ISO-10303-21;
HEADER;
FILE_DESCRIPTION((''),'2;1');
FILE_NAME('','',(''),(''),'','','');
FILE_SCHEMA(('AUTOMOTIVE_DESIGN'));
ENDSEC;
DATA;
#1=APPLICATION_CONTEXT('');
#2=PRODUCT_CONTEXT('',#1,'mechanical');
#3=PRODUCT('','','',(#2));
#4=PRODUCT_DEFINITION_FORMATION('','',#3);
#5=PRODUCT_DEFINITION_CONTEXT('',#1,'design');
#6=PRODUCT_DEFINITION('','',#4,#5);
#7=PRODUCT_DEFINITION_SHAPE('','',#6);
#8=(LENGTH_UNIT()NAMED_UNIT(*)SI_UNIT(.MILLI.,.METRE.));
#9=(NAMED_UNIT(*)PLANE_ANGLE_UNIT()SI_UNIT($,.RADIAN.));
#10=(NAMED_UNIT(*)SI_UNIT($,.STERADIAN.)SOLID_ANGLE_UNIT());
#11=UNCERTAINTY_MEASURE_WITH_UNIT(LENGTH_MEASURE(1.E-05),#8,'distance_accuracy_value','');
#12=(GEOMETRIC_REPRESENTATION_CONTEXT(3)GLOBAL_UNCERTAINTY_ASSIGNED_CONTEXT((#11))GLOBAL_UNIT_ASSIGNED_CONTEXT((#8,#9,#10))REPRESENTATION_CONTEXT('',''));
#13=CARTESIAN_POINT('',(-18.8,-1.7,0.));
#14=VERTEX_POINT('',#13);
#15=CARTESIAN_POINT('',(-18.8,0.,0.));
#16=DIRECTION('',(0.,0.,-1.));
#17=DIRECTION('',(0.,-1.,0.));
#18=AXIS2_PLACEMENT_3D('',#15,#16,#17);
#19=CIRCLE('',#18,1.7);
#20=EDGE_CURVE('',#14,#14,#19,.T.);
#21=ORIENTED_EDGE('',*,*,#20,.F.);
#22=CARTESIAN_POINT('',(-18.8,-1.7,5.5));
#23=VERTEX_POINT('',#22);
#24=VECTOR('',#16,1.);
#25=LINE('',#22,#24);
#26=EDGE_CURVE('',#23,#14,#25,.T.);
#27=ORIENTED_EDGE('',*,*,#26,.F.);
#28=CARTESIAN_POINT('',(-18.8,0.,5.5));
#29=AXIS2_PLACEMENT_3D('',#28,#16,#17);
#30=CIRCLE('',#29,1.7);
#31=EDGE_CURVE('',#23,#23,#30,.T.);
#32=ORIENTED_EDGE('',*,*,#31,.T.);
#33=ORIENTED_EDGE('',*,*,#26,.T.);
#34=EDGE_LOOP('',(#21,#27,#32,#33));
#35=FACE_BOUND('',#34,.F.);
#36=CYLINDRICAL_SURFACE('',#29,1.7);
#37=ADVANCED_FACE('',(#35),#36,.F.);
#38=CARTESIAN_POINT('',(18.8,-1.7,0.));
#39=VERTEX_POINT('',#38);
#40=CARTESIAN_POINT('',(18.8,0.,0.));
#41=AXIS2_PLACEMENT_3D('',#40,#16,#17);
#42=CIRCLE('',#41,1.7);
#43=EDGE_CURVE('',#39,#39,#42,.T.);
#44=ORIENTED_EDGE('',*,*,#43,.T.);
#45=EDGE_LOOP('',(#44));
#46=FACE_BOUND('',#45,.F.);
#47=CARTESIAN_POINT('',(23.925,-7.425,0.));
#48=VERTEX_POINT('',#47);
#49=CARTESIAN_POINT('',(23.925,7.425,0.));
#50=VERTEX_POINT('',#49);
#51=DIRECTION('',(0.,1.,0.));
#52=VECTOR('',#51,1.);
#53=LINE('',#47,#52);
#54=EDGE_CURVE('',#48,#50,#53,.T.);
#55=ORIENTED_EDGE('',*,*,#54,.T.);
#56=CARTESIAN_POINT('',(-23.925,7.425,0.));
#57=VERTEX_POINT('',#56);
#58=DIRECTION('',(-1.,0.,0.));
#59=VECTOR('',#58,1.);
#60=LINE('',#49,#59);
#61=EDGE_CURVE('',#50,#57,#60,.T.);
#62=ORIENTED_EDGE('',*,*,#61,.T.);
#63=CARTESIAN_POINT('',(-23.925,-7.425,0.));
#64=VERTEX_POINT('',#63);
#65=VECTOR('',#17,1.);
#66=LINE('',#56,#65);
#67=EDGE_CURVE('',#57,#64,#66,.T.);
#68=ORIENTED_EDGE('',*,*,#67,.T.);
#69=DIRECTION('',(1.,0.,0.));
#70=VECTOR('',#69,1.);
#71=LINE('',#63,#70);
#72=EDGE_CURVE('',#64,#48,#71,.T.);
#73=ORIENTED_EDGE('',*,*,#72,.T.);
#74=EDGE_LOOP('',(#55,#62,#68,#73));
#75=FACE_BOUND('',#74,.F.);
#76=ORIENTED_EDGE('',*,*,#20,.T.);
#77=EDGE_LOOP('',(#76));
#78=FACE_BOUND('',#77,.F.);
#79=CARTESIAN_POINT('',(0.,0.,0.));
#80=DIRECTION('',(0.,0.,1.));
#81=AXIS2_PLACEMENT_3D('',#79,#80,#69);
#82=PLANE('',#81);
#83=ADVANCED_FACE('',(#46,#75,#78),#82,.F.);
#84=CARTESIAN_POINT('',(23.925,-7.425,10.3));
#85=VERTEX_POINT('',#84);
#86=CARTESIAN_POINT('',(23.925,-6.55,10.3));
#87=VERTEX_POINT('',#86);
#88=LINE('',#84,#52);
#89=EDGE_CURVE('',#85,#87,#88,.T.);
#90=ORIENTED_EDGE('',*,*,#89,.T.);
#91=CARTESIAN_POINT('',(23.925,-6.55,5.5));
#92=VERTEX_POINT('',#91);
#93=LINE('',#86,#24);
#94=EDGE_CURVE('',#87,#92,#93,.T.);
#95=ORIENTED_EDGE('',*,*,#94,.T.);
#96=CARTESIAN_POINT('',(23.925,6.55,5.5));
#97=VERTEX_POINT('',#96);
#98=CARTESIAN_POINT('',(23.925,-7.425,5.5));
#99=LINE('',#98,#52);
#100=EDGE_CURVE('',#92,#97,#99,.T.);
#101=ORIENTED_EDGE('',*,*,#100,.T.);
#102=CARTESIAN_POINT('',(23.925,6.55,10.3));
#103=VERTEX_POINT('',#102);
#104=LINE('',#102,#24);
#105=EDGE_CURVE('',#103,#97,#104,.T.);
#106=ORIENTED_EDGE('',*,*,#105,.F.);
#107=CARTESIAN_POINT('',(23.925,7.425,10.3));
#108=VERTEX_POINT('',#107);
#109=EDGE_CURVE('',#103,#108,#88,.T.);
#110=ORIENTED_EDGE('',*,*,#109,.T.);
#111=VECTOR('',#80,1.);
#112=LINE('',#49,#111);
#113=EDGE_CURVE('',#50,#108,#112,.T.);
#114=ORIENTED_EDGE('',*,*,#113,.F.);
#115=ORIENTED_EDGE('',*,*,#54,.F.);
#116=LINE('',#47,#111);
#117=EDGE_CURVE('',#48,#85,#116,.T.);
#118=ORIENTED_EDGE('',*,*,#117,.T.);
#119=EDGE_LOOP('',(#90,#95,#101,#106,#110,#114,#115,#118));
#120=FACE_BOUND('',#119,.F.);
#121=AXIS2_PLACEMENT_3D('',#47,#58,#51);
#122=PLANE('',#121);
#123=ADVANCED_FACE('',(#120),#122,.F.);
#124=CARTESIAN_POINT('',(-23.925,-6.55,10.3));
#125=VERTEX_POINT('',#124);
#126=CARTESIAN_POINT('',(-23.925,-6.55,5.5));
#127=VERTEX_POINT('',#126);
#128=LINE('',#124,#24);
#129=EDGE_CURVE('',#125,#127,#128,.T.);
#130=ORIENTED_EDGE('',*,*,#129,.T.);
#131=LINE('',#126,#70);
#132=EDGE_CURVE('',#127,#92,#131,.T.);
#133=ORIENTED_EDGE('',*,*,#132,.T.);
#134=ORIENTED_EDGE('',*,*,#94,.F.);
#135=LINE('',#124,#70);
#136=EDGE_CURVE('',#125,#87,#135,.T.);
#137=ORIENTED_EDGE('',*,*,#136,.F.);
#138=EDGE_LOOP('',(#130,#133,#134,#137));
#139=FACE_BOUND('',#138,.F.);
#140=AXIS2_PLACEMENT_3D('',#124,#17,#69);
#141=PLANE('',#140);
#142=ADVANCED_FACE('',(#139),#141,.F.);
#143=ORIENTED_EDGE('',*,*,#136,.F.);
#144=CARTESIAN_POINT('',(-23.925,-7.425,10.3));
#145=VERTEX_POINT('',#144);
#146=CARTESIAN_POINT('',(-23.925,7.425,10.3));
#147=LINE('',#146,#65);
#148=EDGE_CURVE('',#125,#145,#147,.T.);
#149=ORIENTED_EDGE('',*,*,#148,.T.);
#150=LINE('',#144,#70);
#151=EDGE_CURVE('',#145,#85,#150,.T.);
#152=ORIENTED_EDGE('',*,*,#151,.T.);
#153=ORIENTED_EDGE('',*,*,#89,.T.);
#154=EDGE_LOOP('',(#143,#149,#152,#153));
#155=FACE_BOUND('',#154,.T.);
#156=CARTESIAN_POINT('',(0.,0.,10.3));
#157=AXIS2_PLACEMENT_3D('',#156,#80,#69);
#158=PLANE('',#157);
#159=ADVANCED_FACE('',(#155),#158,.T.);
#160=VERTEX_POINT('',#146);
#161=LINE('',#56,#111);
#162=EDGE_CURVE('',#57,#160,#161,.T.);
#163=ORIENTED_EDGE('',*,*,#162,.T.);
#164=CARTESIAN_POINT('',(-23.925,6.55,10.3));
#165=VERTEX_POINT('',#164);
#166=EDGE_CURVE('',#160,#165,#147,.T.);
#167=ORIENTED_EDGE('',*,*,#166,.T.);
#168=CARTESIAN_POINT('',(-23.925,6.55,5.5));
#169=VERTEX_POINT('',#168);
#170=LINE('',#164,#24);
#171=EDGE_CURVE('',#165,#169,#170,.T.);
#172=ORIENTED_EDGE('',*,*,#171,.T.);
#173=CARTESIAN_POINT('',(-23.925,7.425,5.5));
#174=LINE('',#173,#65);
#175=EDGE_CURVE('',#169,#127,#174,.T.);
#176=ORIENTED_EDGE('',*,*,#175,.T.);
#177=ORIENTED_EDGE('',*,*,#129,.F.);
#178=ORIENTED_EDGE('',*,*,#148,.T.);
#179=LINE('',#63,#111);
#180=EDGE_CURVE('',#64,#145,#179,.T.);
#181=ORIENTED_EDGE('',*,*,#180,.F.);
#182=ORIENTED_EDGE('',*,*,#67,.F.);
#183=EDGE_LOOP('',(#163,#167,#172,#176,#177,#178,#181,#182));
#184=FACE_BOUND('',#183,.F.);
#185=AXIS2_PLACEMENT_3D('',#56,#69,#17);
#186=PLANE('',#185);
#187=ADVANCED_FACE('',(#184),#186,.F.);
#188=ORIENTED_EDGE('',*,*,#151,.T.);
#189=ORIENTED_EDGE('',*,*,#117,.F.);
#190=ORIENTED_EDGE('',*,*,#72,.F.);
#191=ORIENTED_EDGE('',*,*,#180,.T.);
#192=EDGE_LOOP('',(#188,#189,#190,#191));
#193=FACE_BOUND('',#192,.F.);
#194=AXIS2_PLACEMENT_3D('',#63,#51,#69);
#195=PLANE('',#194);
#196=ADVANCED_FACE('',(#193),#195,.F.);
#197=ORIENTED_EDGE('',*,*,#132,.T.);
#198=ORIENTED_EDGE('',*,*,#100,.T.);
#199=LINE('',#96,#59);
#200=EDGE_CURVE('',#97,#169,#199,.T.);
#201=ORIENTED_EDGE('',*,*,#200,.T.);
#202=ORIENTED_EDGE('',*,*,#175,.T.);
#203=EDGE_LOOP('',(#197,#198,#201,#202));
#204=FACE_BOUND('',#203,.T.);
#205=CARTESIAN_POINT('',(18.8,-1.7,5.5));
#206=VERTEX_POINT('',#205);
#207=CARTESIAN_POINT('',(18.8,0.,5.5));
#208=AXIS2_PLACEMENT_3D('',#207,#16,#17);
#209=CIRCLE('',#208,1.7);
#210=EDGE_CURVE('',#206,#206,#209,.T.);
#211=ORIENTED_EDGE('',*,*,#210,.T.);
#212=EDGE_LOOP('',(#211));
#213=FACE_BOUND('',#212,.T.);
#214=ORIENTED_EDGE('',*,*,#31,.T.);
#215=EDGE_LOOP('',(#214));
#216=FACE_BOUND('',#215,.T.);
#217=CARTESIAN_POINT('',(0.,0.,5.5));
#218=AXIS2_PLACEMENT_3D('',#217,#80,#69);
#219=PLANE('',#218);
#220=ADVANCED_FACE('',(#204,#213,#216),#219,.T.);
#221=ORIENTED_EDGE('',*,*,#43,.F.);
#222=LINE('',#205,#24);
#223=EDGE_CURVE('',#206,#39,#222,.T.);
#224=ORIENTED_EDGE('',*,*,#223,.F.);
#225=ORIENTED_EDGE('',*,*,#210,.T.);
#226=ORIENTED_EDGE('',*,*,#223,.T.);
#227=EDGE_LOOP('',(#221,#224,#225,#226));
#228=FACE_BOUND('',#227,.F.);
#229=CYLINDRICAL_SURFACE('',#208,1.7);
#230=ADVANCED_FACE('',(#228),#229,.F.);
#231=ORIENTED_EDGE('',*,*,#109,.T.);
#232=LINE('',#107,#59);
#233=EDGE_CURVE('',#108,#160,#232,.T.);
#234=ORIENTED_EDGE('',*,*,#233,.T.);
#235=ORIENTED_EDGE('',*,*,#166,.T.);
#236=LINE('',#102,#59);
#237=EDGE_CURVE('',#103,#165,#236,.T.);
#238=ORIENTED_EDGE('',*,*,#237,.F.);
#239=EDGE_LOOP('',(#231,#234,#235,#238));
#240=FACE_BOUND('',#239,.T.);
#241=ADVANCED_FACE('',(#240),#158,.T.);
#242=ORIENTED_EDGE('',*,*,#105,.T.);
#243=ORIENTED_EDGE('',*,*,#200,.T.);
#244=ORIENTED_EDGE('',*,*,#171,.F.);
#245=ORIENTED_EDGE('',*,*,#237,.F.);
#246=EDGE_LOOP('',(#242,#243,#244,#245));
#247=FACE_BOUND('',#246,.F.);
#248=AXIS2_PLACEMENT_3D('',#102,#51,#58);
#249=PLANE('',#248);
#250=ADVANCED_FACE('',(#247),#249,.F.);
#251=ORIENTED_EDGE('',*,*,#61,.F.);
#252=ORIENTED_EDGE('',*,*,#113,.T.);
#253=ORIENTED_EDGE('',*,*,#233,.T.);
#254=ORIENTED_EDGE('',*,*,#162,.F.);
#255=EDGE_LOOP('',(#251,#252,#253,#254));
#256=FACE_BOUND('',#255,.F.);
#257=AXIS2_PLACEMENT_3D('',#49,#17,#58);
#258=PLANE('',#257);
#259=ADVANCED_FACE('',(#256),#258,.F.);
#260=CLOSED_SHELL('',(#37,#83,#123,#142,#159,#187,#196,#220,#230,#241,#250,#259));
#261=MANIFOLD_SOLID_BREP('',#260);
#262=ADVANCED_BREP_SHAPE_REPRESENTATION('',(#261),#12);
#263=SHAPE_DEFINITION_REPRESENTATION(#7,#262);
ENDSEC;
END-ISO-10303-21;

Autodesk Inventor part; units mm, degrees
ref_plane "YZ Plane" through (0, 0, 0) normal (1, 0, 0) x (0, 1, 0)
ref_plane "XZ Plane" through (0, 0, 0) normal (0, 1, 0) x (-1, 0, 0)
ref_plane "XY Plane" through (0, 0, 0) normal (0, 0, 1) x (1, 0, 0)
sketch "Sketch1" plane through (0, 0, 0) normal (0, 0, 1) x (1, 0, 0)
  line L0 (-23.925, -7.425) -> (23.925, -7.425)
  line L1 (23.925, -7.425) -> (23.925, 7.425)
  line L2 (23.925, 7.425) -> (-23.925, 7.425)
  line L3 (-23.925, 7.425) -> (-23.925, -7.425)
  line L4 (-23.925, -7.425) -> (23.925, 7.425) construction
  line L5 (23.925, -7.425) -> (-23.925, 7.425) construction
  point P0 (0, 0)
  dimension "d0" = 47.85
  dimension "d1" = 14.85
extrude "Extrusion1" add sketch "Sketch1" along normal blind 10.3
sketch "Sketch3" plane through (0, 0, 10.3) normal (0, 0, 1) x (1, 0, 0)
  line L0 (23.925, -7.425) -> (23.925, 7.425) projected
  line L1 (-23.925, 7.425) -> (-23.925, -7.425) projected
  line L2 (-23.925, -6.55) -> (23.925, -6.55)
  line L3 (23.925, -6.55) -> (23.925, 6.55)
  line L4 (23.925, 6.55) -> (-23.925, 6.55)
  line L5 (-23.925, 6.55) -> (-23.925, -6.55)
  line L6 (-23.925, -6.55) -> (23.925, 6.55) construction
  line L7 (23.925, -6.55) -> (-23.925, 6.55) construction
  point P0 (0, 0)
  dimension "d5" = 13.1
extrude "Extrusion2" cut sketch "Sketch3" against normal blind 4.8
sketch "Sketch4" plane through (0, 0, 5.5) normal (0, 0, 1) x (1, 0, 0)
  line L0 (-23.925, -6.55) -> (-23.925, 6.55) construction
  line L1 (-23.925, 0) -> (23.925, 0) construction
  line L2 (23.925, 6.55) -> (23.925, -6.55) construction
  point P0 (0, 0)
  point P1 (-18.8, 0)
  point P2 (18.8, 0)
  point P3 (0, 0)
  dimension "d8" = 18.8
  dimension "d9" = 18.8
hole "Hole1" at (-18.8, 0, 5.5) at (18.8, 0, 5.5) direction (0, 0, -1) diameter 3.4 end through all clearance for "Flat Head Machine Screw" size "M3" standard "Ansi Metric M Profile"
equation "\"d0\" = sensorLength"
equation "\"d1\" = sensorWidth"
equation "\"d2\" = sensorDepth"
equation "\"d5\" = slotWidth"
equation "\"d6\" = slotDepth"
equation "\"d8\" = 0.5 * holeWidth"
equation "\"d9\" = 0.5 * holeWidth"
equation "\"sensorWidth\" = 14.85"
equation "\"sensorLength\" = 47.85"
equation "\"sensorDepth\" = 10.3"
equation "\"slotWidth\" = 13.1"
equation "\"slotDepth\" = 4.8"
equation "\"holeWidth\" = 37.6"
equation "\"holeDiameter\" = 3.4"
properties part number "sensor" material "Aluminum 6061"
